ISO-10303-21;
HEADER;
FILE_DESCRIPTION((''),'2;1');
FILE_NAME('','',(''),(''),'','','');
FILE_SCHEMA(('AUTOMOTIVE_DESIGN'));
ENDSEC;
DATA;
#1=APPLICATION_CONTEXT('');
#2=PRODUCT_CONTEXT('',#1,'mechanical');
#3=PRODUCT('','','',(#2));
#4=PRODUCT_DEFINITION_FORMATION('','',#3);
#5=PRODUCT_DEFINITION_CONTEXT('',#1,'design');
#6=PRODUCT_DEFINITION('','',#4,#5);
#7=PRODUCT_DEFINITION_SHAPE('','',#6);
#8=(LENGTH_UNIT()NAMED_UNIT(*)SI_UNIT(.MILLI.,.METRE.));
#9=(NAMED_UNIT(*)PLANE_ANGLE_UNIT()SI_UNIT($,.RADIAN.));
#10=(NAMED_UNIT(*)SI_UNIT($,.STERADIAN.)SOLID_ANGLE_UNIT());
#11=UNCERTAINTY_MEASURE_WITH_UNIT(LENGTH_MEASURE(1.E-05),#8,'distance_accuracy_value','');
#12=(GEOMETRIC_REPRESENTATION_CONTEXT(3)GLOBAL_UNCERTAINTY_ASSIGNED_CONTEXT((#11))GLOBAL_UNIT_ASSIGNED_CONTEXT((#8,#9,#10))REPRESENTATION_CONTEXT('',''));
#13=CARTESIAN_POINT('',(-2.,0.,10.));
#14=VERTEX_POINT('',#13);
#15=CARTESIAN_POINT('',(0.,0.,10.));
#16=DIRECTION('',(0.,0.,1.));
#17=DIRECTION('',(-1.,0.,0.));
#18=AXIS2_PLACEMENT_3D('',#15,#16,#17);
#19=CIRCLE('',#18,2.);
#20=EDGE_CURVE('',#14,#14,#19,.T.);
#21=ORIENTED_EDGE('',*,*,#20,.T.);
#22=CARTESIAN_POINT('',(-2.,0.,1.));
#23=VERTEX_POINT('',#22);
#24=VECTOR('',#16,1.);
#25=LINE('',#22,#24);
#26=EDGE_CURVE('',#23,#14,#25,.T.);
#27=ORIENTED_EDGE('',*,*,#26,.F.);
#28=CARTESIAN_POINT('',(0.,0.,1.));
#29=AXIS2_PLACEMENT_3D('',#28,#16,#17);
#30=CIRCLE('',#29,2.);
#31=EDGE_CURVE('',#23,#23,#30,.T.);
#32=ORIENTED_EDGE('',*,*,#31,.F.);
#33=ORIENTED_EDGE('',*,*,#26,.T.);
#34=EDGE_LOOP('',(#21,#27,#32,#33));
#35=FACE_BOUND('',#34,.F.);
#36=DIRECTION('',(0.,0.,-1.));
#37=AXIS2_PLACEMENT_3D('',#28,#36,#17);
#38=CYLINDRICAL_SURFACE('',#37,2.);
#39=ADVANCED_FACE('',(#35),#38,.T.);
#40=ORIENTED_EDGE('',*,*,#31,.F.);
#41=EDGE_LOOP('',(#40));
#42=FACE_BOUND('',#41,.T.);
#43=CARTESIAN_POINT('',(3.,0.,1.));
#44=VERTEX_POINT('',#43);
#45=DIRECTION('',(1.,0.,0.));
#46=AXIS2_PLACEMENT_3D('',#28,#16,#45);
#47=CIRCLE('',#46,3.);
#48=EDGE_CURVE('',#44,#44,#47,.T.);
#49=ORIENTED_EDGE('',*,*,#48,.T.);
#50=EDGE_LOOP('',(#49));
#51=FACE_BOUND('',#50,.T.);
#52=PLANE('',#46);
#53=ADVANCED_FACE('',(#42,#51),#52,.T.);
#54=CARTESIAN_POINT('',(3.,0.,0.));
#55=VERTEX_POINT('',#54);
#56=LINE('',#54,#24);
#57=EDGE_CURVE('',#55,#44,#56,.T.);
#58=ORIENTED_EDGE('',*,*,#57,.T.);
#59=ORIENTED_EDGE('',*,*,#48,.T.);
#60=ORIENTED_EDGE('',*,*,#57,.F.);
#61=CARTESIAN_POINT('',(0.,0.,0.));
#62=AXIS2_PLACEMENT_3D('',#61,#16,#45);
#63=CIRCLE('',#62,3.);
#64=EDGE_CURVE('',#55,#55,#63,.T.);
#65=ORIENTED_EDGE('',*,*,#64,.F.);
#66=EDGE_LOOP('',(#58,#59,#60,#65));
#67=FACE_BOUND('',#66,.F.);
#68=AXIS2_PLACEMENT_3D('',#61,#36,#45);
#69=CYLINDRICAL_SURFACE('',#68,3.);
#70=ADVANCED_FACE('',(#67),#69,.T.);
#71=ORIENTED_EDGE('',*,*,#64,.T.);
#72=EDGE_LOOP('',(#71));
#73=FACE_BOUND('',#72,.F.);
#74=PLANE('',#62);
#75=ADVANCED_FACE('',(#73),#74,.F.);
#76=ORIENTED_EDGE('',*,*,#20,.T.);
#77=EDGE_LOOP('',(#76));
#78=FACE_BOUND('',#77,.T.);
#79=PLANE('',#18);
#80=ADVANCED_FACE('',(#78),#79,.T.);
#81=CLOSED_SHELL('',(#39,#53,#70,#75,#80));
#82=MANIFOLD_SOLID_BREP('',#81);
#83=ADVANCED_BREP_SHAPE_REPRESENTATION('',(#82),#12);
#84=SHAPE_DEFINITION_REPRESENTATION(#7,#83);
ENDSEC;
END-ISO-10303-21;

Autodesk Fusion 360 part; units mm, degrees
sketch "Sketch1" plane through (0, 0, 0) normal (0, 0, 1) x (1, 0, 0)
  circle A0 centre (0, 0) radius 3
  dimension "d1" = 6
extrude "Extrude1" add sketch "Sketch1" along normal blind 1
sketch "Sketch2" plane through (0, 0, 1) normal (0, 0, 1) x (-1, 0, 0)
  circle A0 centre (0, 0) radius 3
  circle A1 centre (0, 0) radius 2
  dimension "d4" = 4
extrude "Extrude2" add sketch "Sketch2" along normal blind 9 contours A1
